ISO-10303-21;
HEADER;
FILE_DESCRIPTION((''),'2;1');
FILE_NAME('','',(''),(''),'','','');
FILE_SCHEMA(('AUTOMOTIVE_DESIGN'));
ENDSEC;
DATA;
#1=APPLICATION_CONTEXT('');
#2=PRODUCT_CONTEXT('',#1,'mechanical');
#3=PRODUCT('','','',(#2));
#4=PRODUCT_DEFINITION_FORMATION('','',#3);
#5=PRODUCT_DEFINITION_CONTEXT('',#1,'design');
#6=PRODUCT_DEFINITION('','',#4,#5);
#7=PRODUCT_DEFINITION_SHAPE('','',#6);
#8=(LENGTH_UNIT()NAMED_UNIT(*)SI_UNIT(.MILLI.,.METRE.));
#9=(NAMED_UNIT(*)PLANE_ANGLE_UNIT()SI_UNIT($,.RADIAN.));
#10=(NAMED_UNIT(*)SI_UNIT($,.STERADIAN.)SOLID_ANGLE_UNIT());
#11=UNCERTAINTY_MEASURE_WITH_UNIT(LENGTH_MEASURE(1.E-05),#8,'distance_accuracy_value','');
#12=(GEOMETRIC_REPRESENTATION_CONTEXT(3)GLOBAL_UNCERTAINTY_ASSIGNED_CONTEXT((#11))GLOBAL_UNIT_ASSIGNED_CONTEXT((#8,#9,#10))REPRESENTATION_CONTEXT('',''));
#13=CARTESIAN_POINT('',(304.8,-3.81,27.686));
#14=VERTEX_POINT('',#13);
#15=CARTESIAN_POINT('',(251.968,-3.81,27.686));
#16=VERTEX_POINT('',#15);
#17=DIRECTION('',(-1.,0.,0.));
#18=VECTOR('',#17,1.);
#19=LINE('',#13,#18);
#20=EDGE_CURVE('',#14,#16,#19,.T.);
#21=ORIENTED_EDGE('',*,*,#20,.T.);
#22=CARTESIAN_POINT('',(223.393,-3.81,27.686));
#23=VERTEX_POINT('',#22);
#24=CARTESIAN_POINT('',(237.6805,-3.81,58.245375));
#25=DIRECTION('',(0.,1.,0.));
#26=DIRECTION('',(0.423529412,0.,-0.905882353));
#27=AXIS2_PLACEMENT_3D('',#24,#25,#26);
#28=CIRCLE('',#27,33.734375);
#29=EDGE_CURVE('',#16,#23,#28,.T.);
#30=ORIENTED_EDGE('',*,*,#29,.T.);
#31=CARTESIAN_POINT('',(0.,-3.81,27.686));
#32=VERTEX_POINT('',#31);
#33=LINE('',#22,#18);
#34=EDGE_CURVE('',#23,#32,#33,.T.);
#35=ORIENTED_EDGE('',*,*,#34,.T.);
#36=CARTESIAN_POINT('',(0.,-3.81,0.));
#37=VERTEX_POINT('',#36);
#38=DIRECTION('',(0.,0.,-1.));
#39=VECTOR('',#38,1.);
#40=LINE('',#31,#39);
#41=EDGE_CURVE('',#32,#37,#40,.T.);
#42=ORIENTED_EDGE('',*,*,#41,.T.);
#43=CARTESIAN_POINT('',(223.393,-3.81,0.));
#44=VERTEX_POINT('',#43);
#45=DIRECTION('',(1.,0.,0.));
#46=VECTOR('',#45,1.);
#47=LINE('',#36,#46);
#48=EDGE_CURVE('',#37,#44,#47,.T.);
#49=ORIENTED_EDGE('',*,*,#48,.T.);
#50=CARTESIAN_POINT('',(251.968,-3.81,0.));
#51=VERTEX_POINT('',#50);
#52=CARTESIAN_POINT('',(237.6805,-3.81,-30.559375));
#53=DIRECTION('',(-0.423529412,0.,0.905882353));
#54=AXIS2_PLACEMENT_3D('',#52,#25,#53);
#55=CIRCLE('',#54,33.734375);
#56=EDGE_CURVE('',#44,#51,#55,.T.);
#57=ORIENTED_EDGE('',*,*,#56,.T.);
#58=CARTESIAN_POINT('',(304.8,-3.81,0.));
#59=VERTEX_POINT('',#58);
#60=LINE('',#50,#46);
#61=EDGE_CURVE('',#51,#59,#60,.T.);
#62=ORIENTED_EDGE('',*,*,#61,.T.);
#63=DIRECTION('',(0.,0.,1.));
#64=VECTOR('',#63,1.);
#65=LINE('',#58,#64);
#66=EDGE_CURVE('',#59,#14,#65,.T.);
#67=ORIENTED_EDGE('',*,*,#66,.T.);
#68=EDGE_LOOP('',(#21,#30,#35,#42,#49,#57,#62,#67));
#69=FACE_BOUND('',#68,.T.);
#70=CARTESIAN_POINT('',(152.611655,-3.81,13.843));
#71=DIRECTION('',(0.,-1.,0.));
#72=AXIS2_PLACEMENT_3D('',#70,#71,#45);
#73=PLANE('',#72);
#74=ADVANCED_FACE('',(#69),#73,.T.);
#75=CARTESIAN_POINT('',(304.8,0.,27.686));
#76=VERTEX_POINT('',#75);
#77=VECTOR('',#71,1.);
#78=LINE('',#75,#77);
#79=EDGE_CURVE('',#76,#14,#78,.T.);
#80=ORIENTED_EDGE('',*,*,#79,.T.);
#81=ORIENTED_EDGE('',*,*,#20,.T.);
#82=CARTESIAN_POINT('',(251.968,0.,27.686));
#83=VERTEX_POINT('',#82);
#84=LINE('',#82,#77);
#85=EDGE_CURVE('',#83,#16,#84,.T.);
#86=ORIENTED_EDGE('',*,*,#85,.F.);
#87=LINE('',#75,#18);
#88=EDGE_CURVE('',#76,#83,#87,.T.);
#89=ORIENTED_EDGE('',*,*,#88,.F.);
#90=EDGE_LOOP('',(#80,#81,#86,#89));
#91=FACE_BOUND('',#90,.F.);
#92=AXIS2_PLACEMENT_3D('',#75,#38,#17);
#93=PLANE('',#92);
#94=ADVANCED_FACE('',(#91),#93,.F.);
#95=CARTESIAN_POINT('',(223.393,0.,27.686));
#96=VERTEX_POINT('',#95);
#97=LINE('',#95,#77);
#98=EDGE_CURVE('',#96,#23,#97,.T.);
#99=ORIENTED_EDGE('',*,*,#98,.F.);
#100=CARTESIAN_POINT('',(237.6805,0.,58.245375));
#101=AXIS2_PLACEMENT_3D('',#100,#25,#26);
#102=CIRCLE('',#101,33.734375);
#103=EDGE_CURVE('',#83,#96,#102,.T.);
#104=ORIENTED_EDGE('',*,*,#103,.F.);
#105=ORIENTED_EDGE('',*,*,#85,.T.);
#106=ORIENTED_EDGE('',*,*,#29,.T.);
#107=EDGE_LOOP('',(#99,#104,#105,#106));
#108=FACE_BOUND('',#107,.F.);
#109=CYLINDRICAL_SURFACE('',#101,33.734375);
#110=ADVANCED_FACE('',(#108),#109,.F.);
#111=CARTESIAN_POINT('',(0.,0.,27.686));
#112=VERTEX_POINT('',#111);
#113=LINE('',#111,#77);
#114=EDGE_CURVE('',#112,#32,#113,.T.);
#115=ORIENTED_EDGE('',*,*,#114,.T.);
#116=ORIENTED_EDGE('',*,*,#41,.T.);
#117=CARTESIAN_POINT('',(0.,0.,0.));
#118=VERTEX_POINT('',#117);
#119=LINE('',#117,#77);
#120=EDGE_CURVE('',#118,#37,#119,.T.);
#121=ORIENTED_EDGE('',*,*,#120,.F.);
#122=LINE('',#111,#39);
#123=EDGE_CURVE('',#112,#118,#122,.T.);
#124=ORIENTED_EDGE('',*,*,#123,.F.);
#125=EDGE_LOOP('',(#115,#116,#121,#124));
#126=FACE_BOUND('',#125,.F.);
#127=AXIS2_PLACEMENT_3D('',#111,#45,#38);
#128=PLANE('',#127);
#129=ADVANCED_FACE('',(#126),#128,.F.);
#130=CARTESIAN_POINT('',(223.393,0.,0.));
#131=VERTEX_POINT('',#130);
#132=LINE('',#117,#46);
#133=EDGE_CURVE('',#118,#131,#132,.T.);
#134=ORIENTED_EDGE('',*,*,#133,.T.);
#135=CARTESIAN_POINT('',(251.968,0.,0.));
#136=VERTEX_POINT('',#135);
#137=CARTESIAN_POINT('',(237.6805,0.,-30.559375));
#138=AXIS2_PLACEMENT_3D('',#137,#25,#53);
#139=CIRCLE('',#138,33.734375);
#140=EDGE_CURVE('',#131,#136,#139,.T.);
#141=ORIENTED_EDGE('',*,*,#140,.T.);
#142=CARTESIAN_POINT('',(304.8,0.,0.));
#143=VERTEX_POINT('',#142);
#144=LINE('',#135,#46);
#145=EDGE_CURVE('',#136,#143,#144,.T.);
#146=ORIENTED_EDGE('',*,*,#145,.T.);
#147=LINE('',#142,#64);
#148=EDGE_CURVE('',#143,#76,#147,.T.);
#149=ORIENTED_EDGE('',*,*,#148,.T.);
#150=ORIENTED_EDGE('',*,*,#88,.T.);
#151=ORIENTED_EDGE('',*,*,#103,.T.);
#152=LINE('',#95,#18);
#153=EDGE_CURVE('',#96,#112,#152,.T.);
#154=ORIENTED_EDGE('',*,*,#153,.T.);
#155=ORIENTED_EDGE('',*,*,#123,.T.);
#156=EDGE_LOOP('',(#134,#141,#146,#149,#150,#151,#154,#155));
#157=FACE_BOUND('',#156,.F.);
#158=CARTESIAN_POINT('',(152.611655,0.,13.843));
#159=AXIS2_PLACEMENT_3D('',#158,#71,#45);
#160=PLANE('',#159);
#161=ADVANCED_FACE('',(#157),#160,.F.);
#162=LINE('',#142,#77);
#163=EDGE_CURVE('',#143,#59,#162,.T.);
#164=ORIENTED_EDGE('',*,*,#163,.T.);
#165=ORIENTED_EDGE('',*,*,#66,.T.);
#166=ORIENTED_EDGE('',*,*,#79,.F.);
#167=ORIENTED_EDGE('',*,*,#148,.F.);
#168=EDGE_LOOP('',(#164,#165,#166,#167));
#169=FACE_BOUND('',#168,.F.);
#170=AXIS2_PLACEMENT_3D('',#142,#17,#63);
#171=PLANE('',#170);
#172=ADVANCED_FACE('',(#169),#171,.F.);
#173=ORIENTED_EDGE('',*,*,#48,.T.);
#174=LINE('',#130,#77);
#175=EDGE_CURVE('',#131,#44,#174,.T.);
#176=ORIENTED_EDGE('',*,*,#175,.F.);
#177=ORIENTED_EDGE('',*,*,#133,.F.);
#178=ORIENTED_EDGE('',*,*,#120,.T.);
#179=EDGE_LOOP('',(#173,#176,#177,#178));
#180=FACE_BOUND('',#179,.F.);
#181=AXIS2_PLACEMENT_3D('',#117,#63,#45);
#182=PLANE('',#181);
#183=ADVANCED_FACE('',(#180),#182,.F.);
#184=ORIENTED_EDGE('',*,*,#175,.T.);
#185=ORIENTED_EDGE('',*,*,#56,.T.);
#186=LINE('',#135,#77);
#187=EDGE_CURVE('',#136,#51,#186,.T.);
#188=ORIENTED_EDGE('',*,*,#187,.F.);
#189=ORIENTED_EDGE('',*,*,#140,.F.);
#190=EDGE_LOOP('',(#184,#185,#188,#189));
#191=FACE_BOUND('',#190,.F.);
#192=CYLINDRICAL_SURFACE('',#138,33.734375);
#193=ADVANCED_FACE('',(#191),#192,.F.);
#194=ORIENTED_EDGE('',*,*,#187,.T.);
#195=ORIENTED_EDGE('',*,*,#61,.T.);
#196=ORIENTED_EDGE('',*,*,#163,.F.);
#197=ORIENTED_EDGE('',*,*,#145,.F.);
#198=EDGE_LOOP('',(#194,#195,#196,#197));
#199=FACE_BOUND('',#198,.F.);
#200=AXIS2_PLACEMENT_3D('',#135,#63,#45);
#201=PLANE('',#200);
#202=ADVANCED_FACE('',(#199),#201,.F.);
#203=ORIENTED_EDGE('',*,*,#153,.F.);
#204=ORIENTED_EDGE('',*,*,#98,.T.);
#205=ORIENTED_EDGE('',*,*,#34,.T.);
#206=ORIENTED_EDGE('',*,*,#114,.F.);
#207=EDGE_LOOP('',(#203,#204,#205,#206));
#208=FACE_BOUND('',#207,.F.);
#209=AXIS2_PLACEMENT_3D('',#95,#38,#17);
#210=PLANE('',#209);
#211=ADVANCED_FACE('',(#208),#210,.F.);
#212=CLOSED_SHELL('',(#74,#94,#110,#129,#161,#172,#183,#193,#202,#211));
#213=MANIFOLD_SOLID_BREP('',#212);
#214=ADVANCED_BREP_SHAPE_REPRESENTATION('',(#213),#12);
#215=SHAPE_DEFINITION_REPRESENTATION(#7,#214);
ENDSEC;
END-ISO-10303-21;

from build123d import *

# Parameters (mm, degrees)
F1_DEPTH = 3.81


with BuildPart() as f1:
    # F0 (on Front) → F1 (new body)
    with BuildSketch(Plane.XZ):
        with BuildLine():
            Line((0, 27.686), (0, 0))
            Line((0, 0), (223.393, 0))
            ThreePointArc((223.393, 0), (237.6805, 3.175), (251.968, 0))
            Line((251.968, 0), (304.8, 0))
            Line((304.8, 0), (304.8, 27.686))
            Line((304.8, 27.686), (251.968, 27.686))
            ThreePointArc((251.968, 27.686), (237.6805, 24.511), (223.393, 27.686))
            Line((223.393, 27.686), (0, 27.686))
        make_face()
    extrude(amount=F1_DEPTH)


solid = f1.part
